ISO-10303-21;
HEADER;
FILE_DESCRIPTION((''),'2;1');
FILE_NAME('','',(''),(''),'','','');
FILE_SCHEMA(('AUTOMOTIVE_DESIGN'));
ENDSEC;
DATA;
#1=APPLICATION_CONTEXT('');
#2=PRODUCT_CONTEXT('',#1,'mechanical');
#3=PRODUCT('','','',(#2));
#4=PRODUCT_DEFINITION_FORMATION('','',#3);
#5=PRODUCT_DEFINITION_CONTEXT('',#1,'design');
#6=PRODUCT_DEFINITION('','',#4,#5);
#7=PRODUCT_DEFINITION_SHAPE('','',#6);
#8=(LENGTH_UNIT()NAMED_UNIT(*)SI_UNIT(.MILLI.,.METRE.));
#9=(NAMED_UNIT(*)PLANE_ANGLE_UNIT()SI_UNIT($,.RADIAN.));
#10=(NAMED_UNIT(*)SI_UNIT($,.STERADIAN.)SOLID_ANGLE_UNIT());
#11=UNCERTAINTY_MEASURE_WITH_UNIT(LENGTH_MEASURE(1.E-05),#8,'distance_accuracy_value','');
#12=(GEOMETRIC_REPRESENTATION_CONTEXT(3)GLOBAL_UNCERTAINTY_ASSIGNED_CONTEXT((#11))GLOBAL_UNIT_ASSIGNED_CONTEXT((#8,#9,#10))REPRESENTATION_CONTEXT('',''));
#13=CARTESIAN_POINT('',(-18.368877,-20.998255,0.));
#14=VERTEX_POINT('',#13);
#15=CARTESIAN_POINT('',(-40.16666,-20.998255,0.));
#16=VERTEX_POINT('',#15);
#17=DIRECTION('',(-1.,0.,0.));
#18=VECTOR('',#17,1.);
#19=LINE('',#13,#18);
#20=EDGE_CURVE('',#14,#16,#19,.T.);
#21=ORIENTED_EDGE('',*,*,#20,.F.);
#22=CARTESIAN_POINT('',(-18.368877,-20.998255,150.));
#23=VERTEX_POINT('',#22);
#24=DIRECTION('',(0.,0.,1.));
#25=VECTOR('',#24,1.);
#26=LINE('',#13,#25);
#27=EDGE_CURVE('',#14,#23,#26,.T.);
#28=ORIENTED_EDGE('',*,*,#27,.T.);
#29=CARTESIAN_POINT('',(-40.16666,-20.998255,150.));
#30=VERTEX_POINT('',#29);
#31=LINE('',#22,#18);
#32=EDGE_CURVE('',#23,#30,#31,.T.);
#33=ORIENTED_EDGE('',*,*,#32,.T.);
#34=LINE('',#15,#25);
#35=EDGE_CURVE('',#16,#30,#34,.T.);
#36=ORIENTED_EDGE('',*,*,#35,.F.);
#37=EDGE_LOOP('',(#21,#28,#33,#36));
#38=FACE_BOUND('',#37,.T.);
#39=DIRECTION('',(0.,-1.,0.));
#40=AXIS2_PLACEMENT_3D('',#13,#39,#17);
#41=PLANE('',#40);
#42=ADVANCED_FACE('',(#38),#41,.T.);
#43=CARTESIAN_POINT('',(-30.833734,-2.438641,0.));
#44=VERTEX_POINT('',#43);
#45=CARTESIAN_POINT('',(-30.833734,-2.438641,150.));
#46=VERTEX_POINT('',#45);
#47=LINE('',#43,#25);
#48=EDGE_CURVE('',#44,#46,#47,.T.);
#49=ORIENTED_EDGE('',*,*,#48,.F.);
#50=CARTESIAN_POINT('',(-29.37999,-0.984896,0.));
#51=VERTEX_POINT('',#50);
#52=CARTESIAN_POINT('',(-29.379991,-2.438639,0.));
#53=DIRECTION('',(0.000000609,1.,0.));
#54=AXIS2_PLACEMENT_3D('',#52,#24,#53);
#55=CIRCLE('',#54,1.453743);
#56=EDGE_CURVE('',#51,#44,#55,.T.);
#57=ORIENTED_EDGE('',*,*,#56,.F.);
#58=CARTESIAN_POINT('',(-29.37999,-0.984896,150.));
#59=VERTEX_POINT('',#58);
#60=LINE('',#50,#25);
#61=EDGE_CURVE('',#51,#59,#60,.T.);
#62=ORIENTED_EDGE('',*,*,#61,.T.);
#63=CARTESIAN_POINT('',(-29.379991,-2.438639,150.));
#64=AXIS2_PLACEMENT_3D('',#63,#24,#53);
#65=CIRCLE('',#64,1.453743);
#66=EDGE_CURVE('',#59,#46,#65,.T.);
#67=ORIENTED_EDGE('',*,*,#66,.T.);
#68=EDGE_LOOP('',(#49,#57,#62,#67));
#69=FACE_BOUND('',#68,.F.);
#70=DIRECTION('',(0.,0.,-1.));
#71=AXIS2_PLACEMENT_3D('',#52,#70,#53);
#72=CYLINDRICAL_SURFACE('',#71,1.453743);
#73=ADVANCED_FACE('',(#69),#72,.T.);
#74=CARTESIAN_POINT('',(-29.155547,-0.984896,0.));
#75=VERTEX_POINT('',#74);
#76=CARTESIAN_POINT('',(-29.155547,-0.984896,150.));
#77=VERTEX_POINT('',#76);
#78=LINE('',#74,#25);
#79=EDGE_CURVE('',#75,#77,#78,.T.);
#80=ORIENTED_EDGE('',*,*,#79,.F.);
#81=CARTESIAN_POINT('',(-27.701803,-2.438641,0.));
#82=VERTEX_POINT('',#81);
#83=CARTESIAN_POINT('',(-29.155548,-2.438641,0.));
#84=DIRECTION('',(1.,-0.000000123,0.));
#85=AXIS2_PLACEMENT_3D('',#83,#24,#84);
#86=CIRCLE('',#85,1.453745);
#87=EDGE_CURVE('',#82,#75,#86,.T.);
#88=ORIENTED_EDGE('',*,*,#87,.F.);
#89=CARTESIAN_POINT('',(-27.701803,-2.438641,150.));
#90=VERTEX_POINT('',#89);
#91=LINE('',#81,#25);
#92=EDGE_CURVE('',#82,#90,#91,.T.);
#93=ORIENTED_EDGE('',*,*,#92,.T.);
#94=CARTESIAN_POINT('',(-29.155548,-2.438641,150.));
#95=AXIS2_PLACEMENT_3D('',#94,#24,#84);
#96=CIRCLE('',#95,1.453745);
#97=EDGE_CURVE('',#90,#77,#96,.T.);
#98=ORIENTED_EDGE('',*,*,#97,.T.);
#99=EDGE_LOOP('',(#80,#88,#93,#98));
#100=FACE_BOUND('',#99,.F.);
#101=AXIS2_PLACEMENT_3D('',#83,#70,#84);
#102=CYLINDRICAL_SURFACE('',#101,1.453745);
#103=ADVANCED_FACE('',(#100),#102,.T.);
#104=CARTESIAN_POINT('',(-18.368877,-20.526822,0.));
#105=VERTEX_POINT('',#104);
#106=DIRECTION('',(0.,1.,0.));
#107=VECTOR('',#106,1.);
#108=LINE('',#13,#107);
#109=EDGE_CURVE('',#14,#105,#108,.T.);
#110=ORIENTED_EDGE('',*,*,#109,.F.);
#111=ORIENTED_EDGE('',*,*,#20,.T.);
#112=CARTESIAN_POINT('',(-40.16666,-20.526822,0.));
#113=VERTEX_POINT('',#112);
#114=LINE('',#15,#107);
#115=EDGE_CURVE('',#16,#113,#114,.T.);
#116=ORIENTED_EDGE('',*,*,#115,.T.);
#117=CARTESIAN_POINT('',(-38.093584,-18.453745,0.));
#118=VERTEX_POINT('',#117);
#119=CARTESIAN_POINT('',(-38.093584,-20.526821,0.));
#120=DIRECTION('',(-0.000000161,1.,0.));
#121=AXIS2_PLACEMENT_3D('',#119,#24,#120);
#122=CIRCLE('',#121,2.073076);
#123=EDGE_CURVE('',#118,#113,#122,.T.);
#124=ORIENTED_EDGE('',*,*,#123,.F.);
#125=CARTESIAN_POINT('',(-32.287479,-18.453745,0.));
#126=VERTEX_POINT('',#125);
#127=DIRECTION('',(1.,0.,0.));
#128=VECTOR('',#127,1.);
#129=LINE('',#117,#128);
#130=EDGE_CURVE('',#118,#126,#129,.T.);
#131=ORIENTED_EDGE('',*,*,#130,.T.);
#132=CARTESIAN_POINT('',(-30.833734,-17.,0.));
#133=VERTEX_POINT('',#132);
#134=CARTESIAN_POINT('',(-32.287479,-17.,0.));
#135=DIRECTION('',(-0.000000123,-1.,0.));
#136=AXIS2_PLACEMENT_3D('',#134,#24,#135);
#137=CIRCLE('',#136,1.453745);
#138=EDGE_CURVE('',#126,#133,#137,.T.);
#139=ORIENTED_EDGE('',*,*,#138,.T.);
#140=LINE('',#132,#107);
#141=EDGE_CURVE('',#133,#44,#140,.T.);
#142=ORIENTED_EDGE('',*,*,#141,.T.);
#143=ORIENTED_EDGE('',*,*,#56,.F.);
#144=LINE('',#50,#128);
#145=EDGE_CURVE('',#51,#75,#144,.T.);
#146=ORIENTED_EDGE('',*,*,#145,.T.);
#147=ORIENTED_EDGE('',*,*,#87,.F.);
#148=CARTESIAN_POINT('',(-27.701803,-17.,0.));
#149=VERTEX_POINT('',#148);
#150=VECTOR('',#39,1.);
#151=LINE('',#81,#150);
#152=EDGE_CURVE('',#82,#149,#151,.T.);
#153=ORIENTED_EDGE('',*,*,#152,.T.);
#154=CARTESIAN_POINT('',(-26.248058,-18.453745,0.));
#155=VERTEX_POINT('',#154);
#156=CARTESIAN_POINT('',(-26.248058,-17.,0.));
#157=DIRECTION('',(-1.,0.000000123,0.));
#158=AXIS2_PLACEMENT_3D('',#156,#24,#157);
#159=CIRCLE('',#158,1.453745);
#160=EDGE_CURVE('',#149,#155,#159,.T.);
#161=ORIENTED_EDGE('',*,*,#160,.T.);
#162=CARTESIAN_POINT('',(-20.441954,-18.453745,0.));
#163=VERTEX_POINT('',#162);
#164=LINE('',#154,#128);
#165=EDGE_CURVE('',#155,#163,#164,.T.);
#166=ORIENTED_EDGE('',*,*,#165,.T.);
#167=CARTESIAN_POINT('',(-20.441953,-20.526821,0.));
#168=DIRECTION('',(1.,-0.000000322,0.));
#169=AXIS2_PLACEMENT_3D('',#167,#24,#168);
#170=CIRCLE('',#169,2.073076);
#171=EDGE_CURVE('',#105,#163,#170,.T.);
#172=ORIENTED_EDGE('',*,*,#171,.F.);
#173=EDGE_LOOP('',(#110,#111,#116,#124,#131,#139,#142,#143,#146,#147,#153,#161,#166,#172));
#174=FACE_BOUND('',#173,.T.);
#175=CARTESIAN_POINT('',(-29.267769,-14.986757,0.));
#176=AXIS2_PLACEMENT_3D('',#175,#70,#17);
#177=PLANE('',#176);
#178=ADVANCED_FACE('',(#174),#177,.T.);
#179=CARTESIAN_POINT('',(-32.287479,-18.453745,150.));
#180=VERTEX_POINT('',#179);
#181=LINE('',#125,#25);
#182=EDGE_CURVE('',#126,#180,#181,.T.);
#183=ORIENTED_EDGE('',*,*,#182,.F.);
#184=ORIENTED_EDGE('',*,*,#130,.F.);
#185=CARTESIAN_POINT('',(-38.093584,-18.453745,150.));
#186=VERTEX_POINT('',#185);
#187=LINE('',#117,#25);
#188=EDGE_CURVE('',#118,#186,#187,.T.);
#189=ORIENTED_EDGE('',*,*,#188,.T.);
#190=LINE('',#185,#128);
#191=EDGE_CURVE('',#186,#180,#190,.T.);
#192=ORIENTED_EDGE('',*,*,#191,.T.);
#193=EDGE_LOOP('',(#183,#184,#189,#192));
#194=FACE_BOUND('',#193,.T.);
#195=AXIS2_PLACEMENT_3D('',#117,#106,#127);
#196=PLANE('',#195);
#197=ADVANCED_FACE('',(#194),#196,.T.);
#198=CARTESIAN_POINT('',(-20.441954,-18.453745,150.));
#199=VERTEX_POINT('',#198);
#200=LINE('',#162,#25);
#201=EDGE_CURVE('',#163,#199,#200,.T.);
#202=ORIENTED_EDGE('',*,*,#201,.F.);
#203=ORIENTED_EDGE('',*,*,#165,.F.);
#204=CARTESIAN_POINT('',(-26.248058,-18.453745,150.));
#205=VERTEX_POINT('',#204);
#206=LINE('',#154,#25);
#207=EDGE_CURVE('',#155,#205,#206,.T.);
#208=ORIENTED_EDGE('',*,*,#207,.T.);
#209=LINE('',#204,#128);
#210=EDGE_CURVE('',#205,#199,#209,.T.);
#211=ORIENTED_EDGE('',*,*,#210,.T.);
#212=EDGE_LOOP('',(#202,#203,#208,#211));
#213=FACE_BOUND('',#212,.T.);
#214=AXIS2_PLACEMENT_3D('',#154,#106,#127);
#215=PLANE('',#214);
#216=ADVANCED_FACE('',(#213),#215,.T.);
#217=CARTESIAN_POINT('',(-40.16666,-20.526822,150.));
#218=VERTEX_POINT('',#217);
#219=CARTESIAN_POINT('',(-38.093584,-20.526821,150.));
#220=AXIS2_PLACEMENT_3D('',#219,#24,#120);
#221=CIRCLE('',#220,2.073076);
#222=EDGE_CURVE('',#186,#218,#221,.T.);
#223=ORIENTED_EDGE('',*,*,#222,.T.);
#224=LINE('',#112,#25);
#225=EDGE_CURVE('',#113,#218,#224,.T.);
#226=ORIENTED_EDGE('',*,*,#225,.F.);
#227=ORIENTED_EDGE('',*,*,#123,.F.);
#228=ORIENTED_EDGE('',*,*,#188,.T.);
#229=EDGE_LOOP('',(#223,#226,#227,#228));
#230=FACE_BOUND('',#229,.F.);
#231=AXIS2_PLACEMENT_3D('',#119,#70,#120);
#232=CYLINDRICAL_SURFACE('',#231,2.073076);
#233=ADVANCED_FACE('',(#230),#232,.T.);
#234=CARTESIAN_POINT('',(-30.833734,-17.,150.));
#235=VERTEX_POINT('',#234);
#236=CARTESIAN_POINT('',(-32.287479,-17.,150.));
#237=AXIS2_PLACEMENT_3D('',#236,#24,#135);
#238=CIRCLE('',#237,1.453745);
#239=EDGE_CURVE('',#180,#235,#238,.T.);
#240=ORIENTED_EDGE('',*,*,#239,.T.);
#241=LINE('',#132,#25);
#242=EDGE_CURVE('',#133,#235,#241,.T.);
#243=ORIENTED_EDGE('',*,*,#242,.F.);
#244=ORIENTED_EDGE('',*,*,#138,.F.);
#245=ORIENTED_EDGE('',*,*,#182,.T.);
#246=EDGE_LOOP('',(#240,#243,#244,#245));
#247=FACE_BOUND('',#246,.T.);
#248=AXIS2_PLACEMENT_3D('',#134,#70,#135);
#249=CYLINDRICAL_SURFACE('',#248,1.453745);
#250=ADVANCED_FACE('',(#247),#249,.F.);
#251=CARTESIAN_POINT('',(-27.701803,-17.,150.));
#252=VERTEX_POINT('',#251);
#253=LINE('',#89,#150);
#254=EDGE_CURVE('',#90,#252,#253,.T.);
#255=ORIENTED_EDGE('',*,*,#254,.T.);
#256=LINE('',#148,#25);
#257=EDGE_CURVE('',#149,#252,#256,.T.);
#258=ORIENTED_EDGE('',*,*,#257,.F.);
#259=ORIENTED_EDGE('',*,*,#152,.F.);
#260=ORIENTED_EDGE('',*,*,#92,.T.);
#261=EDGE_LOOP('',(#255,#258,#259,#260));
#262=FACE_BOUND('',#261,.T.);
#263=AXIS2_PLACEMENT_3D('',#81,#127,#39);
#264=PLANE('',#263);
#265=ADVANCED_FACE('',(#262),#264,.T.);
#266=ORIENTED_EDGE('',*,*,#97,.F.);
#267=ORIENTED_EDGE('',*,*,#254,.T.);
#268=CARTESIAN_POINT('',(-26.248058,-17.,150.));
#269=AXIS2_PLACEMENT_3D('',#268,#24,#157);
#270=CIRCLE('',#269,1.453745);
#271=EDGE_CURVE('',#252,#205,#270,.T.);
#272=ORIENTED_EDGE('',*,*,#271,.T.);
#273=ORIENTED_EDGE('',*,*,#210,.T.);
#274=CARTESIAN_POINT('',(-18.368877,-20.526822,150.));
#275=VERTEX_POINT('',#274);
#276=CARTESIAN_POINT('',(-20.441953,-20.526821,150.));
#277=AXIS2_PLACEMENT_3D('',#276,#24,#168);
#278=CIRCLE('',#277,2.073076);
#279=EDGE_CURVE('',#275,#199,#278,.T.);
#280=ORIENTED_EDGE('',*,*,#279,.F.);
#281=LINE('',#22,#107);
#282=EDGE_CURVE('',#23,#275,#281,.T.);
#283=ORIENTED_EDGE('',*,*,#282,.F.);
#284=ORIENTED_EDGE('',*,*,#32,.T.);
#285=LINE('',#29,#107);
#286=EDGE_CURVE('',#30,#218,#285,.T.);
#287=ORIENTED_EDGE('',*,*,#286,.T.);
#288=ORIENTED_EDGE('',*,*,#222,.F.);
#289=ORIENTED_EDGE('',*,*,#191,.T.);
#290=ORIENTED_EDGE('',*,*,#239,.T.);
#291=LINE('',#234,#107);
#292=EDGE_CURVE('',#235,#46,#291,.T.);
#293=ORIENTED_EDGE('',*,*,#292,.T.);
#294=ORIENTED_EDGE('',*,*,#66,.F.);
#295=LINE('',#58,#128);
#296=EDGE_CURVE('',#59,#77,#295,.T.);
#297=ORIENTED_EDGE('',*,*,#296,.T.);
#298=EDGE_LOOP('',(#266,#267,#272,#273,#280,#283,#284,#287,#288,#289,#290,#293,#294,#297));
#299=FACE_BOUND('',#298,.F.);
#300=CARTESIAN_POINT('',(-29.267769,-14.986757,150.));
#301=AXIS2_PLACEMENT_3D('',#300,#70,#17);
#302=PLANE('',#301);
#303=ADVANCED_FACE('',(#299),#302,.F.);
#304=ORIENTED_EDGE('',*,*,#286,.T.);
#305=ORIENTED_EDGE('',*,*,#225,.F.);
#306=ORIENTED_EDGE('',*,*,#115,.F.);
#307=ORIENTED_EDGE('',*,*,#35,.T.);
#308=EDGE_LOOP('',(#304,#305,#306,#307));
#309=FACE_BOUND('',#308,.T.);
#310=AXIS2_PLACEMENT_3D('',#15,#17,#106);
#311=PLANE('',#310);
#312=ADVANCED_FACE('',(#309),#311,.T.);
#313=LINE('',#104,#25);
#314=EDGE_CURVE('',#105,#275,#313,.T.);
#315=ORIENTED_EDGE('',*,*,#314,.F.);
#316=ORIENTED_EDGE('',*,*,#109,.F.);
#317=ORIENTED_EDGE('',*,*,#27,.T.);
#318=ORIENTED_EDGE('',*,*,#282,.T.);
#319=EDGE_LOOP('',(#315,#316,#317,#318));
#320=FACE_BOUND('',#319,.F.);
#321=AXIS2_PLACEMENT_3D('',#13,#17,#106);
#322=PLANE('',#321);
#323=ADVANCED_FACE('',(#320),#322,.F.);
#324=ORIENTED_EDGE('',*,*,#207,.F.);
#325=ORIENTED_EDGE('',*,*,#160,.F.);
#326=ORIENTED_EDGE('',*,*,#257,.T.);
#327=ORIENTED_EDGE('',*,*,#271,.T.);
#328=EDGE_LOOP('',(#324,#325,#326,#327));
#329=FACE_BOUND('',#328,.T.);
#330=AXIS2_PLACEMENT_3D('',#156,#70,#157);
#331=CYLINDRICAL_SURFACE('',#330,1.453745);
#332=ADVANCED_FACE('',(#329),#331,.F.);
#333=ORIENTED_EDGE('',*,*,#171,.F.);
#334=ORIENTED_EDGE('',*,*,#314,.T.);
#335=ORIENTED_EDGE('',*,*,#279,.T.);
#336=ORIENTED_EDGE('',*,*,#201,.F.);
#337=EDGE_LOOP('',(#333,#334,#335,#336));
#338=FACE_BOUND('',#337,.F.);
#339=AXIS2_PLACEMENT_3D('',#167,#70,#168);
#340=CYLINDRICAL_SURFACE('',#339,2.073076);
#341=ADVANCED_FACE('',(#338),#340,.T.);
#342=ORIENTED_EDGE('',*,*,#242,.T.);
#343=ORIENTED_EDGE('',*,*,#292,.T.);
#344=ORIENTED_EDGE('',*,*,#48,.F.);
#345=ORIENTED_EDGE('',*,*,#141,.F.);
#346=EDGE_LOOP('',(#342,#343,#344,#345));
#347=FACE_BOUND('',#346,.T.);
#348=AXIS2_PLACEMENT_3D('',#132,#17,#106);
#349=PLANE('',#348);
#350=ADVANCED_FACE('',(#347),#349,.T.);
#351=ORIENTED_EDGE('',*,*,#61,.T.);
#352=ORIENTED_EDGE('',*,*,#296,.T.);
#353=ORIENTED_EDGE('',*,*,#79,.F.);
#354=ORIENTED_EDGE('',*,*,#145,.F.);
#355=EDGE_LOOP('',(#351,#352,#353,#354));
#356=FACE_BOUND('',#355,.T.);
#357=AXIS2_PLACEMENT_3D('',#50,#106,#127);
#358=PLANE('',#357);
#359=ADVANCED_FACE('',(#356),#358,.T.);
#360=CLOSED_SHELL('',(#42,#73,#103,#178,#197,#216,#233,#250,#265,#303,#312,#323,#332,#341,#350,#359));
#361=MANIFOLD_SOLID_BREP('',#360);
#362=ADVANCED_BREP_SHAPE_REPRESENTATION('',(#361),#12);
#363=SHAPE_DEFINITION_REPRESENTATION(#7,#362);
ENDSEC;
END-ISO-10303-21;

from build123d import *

# Parameters (mm, degrees)
PAD_DEPTH = 150


with BuildPart() as part:
    # Sketch001 → Pad (new body)
    with BuildSketch(Plane.XY):
        with BuildLine():
            Line((-38.093584, -18.453745), (-32.287479, -18.453745))
            ThreePointArc((-32.287479, -18.453745), (-31.259526, -18.027953), (-30.833734, -17))
            Line((-30.833734, -17), (-30.833734, -2.438641))
            ThreePointArc((-29.37999, -0.984896), (-30.407943, -1.410688), (-30.833734, -2.438641))
            Line((-29.37999, -0.984896), (-29.155547, -0.984896))
            ThreePointArc((-27.701803, -2.438641), (-28.127595, -1.410688), (-29.155547, -0.984896))
            Line((-27.701803, -2.438641), (-27.701803, -17))
            ThreePointArc((-27.701803, -17), (-27.276011, -18.027953), (-26.248058, -18.453745))
            Line((-26.248058, -18.453745), (-20.441954, -18.453745))
            ThreePointArc((-18.368877, -20.526822), (-18.976067, -19.060935), (-20.441954, -18.453745))
            Line((-18.368877, -20.998255), (-18.368877, -20.526822))
            Line((-18.368877, -20.998255), (-40.16666, -20.998255))
            Line((-40.16666, -20.998255), (-40.16666, -20.526822))
            ThreePointArc((-38.093584, -18.453745), (-39.55947, -19.060935), (-40.16666, -20.526822))
        make_face()
    extrude(amount=PAD_DEPTH)


solid = part.part
